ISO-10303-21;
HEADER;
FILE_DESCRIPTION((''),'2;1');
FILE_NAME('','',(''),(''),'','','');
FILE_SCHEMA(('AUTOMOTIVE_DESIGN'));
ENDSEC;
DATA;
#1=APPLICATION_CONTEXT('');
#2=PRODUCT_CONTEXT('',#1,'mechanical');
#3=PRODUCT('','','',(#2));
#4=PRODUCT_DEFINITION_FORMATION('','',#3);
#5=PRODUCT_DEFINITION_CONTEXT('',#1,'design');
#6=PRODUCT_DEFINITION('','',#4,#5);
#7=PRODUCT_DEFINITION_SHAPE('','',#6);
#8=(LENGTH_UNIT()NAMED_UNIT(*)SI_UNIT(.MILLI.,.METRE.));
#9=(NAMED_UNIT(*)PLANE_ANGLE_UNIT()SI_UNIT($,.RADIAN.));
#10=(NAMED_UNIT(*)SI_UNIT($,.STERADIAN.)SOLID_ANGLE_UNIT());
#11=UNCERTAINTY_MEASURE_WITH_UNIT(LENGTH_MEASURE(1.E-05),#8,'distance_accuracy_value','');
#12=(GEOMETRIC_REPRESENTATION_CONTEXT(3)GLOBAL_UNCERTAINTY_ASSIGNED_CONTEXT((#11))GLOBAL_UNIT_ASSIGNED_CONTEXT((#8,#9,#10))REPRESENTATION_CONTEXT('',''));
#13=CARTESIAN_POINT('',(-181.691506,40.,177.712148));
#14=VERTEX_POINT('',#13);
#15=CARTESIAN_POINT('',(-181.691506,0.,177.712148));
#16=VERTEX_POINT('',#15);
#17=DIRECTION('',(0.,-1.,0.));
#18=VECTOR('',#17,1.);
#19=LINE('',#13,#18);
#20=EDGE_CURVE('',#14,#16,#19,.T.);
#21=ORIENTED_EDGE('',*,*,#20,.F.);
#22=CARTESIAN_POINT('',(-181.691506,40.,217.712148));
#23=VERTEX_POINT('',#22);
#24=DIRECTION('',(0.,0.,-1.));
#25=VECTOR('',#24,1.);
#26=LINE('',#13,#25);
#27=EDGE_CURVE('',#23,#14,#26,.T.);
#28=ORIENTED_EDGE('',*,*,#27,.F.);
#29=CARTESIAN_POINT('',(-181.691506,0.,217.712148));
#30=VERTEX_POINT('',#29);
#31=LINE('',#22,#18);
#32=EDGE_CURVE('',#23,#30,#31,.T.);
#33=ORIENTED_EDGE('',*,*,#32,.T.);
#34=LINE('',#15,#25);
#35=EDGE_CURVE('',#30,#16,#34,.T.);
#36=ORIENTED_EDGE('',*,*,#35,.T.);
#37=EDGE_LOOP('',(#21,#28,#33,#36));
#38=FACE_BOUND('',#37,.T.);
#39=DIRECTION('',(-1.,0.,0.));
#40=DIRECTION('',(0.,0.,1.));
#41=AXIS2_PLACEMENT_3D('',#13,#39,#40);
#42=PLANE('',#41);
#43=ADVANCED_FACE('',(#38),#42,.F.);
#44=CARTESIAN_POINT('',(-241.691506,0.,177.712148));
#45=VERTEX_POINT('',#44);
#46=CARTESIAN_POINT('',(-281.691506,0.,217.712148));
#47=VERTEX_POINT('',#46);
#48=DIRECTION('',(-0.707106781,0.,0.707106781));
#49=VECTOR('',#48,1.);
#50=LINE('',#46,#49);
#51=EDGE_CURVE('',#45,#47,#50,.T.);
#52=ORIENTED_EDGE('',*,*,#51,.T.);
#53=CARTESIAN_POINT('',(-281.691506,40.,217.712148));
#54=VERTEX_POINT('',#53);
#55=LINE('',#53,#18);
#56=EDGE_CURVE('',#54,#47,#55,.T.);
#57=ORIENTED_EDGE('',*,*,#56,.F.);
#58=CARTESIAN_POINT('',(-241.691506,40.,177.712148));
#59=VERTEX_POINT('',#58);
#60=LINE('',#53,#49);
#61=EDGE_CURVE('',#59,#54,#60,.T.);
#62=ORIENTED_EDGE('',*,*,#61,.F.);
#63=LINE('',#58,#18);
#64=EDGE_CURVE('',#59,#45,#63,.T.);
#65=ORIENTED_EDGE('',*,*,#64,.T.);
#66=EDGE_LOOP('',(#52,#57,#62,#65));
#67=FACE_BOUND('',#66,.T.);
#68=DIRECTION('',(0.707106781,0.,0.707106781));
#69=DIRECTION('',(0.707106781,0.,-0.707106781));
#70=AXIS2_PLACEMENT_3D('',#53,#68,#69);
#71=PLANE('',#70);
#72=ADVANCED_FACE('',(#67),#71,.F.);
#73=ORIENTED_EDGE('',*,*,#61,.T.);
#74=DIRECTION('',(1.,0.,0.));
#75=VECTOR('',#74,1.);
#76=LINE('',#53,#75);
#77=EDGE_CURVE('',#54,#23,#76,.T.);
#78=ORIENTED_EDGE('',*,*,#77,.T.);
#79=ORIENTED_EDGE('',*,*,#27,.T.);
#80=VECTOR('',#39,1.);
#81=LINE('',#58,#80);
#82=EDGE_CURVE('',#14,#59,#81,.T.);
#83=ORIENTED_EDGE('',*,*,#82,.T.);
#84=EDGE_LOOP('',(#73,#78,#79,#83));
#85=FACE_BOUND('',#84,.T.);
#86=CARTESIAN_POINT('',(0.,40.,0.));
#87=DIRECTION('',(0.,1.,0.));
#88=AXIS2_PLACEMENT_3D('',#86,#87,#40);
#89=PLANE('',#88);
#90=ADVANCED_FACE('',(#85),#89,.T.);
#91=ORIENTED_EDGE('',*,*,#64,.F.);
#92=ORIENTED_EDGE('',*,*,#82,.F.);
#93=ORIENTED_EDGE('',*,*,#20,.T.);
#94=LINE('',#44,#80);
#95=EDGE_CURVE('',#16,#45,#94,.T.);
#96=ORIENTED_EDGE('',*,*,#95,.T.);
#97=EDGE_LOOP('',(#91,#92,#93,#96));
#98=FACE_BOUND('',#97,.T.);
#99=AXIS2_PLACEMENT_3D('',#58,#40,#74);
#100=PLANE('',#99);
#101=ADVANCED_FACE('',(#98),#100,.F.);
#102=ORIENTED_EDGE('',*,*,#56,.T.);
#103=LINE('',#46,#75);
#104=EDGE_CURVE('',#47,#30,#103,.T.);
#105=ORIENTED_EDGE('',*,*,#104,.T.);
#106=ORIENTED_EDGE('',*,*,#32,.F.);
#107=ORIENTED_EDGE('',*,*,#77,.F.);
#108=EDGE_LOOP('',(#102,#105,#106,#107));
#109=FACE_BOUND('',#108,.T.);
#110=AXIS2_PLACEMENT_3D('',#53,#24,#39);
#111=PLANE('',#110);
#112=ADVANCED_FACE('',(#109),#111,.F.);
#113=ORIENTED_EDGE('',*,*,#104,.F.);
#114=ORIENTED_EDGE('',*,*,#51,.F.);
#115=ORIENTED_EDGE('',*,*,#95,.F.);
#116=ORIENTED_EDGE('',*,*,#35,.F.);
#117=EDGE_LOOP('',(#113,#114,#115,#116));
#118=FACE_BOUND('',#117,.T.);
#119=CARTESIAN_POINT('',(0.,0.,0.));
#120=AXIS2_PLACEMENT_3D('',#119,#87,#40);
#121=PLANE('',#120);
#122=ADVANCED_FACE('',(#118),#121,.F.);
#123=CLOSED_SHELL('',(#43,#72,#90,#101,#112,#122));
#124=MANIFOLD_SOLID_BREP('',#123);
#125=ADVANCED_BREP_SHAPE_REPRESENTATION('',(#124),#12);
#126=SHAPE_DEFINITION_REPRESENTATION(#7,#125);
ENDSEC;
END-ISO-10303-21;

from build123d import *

# Parameters (mm, degrees)
EXTRUDE_1_DEPTH = 40


with BuildPart() as part:
    # Эскиз1 → Бобышка-Вытянуть1 (new body)
    with BuildSketch(Plane(origin=(0, 0, 0), x_dir=(1, 0, 0), z_dir=(0, 1, 0))):
        Polygon((-241.691506493, -177.712147736), (-181.691506493, -177.712147736), (-181.691506493, -217.712147736), (-281.691506493, -217.712147736), align=None)
    extrude(amount=EXTRUDE_1_DEPTH)


solid = part.part
